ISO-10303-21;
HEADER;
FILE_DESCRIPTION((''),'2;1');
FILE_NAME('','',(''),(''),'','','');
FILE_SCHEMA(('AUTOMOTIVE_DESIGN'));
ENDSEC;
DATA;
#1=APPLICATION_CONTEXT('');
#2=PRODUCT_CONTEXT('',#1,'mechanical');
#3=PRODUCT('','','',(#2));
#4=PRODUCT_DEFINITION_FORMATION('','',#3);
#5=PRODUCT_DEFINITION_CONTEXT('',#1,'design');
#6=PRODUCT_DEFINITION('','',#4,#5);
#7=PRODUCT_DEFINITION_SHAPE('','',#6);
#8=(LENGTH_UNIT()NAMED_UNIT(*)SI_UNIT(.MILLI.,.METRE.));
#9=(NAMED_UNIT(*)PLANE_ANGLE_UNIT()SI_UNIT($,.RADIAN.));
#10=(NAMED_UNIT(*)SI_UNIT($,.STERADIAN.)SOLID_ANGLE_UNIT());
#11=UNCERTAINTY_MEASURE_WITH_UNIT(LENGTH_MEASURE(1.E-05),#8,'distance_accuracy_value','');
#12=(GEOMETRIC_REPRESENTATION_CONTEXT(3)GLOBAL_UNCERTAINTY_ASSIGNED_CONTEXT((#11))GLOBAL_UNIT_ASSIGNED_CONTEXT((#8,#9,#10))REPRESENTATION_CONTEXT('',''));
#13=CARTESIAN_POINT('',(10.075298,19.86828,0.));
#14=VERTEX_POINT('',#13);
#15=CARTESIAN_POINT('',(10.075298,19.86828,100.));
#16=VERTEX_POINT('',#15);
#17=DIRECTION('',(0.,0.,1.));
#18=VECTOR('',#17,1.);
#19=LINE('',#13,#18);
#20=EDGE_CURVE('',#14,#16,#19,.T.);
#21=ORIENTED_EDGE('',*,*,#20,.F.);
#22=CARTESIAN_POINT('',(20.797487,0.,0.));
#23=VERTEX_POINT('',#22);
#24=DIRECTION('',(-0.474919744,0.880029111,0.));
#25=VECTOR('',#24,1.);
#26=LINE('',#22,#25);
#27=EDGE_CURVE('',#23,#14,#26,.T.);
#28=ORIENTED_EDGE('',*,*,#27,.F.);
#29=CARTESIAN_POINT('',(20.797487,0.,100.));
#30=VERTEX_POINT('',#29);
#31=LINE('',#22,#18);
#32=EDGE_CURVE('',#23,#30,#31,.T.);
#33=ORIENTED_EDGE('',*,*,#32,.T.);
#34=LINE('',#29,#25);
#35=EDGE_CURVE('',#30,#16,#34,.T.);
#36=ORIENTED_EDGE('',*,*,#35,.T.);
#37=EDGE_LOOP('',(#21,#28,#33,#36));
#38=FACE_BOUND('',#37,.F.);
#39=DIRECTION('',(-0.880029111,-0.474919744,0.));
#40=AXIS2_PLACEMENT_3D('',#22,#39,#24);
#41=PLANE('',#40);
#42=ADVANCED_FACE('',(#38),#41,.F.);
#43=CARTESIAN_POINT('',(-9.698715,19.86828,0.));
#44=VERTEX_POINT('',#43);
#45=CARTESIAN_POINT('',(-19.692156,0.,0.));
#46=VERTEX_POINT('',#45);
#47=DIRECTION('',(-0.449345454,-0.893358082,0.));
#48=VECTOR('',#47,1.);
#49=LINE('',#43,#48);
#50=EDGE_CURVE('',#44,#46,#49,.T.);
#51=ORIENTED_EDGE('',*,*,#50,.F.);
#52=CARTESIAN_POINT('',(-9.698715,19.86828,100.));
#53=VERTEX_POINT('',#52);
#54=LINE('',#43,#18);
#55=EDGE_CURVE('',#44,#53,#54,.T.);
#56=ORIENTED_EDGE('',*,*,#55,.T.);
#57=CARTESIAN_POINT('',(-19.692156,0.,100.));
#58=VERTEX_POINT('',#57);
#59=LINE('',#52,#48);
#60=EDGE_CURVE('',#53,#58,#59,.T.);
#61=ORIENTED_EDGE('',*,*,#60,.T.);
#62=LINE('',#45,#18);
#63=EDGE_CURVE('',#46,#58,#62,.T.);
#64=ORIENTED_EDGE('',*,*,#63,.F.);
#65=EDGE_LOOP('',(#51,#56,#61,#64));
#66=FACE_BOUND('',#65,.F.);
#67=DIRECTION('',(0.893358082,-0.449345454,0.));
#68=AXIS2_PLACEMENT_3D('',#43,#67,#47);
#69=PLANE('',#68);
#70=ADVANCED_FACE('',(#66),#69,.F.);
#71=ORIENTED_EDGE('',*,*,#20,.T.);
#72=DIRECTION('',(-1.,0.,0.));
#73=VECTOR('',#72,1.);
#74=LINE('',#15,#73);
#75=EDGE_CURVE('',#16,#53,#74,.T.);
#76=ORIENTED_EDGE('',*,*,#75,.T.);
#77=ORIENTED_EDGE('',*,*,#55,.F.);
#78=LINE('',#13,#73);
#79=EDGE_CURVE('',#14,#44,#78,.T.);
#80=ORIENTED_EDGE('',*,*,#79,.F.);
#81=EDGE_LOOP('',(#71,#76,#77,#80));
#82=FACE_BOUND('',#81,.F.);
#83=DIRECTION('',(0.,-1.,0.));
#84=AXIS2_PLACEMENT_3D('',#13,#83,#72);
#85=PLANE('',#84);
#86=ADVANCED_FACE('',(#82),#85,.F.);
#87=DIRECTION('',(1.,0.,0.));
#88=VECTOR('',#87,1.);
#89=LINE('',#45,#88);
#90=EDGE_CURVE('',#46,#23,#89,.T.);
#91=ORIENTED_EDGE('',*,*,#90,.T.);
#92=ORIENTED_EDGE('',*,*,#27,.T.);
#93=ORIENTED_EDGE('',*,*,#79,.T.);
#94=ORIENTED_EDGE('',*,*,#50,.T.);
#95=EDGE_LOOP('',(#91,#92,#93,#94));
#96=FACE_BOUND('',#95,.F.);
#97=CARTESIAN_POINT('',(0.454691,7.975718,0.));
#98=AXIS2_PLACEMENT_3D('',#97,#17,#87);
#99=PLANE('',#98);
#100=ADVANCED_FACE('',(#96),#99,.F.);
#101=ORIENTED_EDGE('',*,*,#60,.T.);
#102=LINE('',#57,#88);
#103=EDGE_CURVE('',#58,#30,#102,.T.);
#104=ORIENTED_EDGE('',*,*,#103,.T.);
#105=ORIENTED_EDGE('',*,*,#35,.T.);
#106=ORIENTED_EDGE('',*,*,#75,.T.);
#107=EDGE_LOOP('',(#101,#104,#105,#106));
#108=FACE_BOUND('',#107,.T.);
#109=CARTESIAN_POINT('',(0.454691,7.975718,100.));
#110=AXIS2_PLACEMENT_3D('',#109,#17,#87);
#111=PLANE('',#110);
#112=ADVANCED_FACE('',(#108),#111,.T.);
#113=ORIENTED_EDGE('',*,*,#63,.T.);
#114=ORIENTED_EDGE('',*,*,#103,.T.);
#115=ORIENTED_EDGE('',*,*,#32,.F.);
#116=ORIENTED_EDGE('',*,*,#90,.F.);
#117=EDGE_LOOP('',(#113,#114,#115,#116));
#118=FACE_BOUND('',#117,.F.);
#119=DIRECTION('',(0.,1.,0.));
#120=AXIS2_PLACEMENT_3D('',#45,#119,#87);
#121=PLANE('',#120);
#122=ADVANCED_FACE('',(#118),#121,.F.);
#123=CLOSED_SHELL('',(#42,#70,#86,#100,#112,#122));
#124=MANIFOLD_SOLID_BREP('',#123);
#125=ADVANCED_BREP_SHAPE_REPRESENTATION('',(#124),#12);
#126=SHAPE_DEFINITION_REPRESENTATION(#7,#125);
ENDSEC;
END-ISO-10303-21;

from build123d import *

# Parameters (mm, degrees)
PAD_DEPTH = 100


with BuildPart() as part:
    # Sketch → Pad (new body)
    with BuildSketch(Plane.XY):
        Polygon((20.797487, 0), (10.075298, 19.86828), (-9.698715, 19.86828), (-19.692156, 0), align=None)
    extrude(amount=PAD_DEPTH)


solid = part.part
